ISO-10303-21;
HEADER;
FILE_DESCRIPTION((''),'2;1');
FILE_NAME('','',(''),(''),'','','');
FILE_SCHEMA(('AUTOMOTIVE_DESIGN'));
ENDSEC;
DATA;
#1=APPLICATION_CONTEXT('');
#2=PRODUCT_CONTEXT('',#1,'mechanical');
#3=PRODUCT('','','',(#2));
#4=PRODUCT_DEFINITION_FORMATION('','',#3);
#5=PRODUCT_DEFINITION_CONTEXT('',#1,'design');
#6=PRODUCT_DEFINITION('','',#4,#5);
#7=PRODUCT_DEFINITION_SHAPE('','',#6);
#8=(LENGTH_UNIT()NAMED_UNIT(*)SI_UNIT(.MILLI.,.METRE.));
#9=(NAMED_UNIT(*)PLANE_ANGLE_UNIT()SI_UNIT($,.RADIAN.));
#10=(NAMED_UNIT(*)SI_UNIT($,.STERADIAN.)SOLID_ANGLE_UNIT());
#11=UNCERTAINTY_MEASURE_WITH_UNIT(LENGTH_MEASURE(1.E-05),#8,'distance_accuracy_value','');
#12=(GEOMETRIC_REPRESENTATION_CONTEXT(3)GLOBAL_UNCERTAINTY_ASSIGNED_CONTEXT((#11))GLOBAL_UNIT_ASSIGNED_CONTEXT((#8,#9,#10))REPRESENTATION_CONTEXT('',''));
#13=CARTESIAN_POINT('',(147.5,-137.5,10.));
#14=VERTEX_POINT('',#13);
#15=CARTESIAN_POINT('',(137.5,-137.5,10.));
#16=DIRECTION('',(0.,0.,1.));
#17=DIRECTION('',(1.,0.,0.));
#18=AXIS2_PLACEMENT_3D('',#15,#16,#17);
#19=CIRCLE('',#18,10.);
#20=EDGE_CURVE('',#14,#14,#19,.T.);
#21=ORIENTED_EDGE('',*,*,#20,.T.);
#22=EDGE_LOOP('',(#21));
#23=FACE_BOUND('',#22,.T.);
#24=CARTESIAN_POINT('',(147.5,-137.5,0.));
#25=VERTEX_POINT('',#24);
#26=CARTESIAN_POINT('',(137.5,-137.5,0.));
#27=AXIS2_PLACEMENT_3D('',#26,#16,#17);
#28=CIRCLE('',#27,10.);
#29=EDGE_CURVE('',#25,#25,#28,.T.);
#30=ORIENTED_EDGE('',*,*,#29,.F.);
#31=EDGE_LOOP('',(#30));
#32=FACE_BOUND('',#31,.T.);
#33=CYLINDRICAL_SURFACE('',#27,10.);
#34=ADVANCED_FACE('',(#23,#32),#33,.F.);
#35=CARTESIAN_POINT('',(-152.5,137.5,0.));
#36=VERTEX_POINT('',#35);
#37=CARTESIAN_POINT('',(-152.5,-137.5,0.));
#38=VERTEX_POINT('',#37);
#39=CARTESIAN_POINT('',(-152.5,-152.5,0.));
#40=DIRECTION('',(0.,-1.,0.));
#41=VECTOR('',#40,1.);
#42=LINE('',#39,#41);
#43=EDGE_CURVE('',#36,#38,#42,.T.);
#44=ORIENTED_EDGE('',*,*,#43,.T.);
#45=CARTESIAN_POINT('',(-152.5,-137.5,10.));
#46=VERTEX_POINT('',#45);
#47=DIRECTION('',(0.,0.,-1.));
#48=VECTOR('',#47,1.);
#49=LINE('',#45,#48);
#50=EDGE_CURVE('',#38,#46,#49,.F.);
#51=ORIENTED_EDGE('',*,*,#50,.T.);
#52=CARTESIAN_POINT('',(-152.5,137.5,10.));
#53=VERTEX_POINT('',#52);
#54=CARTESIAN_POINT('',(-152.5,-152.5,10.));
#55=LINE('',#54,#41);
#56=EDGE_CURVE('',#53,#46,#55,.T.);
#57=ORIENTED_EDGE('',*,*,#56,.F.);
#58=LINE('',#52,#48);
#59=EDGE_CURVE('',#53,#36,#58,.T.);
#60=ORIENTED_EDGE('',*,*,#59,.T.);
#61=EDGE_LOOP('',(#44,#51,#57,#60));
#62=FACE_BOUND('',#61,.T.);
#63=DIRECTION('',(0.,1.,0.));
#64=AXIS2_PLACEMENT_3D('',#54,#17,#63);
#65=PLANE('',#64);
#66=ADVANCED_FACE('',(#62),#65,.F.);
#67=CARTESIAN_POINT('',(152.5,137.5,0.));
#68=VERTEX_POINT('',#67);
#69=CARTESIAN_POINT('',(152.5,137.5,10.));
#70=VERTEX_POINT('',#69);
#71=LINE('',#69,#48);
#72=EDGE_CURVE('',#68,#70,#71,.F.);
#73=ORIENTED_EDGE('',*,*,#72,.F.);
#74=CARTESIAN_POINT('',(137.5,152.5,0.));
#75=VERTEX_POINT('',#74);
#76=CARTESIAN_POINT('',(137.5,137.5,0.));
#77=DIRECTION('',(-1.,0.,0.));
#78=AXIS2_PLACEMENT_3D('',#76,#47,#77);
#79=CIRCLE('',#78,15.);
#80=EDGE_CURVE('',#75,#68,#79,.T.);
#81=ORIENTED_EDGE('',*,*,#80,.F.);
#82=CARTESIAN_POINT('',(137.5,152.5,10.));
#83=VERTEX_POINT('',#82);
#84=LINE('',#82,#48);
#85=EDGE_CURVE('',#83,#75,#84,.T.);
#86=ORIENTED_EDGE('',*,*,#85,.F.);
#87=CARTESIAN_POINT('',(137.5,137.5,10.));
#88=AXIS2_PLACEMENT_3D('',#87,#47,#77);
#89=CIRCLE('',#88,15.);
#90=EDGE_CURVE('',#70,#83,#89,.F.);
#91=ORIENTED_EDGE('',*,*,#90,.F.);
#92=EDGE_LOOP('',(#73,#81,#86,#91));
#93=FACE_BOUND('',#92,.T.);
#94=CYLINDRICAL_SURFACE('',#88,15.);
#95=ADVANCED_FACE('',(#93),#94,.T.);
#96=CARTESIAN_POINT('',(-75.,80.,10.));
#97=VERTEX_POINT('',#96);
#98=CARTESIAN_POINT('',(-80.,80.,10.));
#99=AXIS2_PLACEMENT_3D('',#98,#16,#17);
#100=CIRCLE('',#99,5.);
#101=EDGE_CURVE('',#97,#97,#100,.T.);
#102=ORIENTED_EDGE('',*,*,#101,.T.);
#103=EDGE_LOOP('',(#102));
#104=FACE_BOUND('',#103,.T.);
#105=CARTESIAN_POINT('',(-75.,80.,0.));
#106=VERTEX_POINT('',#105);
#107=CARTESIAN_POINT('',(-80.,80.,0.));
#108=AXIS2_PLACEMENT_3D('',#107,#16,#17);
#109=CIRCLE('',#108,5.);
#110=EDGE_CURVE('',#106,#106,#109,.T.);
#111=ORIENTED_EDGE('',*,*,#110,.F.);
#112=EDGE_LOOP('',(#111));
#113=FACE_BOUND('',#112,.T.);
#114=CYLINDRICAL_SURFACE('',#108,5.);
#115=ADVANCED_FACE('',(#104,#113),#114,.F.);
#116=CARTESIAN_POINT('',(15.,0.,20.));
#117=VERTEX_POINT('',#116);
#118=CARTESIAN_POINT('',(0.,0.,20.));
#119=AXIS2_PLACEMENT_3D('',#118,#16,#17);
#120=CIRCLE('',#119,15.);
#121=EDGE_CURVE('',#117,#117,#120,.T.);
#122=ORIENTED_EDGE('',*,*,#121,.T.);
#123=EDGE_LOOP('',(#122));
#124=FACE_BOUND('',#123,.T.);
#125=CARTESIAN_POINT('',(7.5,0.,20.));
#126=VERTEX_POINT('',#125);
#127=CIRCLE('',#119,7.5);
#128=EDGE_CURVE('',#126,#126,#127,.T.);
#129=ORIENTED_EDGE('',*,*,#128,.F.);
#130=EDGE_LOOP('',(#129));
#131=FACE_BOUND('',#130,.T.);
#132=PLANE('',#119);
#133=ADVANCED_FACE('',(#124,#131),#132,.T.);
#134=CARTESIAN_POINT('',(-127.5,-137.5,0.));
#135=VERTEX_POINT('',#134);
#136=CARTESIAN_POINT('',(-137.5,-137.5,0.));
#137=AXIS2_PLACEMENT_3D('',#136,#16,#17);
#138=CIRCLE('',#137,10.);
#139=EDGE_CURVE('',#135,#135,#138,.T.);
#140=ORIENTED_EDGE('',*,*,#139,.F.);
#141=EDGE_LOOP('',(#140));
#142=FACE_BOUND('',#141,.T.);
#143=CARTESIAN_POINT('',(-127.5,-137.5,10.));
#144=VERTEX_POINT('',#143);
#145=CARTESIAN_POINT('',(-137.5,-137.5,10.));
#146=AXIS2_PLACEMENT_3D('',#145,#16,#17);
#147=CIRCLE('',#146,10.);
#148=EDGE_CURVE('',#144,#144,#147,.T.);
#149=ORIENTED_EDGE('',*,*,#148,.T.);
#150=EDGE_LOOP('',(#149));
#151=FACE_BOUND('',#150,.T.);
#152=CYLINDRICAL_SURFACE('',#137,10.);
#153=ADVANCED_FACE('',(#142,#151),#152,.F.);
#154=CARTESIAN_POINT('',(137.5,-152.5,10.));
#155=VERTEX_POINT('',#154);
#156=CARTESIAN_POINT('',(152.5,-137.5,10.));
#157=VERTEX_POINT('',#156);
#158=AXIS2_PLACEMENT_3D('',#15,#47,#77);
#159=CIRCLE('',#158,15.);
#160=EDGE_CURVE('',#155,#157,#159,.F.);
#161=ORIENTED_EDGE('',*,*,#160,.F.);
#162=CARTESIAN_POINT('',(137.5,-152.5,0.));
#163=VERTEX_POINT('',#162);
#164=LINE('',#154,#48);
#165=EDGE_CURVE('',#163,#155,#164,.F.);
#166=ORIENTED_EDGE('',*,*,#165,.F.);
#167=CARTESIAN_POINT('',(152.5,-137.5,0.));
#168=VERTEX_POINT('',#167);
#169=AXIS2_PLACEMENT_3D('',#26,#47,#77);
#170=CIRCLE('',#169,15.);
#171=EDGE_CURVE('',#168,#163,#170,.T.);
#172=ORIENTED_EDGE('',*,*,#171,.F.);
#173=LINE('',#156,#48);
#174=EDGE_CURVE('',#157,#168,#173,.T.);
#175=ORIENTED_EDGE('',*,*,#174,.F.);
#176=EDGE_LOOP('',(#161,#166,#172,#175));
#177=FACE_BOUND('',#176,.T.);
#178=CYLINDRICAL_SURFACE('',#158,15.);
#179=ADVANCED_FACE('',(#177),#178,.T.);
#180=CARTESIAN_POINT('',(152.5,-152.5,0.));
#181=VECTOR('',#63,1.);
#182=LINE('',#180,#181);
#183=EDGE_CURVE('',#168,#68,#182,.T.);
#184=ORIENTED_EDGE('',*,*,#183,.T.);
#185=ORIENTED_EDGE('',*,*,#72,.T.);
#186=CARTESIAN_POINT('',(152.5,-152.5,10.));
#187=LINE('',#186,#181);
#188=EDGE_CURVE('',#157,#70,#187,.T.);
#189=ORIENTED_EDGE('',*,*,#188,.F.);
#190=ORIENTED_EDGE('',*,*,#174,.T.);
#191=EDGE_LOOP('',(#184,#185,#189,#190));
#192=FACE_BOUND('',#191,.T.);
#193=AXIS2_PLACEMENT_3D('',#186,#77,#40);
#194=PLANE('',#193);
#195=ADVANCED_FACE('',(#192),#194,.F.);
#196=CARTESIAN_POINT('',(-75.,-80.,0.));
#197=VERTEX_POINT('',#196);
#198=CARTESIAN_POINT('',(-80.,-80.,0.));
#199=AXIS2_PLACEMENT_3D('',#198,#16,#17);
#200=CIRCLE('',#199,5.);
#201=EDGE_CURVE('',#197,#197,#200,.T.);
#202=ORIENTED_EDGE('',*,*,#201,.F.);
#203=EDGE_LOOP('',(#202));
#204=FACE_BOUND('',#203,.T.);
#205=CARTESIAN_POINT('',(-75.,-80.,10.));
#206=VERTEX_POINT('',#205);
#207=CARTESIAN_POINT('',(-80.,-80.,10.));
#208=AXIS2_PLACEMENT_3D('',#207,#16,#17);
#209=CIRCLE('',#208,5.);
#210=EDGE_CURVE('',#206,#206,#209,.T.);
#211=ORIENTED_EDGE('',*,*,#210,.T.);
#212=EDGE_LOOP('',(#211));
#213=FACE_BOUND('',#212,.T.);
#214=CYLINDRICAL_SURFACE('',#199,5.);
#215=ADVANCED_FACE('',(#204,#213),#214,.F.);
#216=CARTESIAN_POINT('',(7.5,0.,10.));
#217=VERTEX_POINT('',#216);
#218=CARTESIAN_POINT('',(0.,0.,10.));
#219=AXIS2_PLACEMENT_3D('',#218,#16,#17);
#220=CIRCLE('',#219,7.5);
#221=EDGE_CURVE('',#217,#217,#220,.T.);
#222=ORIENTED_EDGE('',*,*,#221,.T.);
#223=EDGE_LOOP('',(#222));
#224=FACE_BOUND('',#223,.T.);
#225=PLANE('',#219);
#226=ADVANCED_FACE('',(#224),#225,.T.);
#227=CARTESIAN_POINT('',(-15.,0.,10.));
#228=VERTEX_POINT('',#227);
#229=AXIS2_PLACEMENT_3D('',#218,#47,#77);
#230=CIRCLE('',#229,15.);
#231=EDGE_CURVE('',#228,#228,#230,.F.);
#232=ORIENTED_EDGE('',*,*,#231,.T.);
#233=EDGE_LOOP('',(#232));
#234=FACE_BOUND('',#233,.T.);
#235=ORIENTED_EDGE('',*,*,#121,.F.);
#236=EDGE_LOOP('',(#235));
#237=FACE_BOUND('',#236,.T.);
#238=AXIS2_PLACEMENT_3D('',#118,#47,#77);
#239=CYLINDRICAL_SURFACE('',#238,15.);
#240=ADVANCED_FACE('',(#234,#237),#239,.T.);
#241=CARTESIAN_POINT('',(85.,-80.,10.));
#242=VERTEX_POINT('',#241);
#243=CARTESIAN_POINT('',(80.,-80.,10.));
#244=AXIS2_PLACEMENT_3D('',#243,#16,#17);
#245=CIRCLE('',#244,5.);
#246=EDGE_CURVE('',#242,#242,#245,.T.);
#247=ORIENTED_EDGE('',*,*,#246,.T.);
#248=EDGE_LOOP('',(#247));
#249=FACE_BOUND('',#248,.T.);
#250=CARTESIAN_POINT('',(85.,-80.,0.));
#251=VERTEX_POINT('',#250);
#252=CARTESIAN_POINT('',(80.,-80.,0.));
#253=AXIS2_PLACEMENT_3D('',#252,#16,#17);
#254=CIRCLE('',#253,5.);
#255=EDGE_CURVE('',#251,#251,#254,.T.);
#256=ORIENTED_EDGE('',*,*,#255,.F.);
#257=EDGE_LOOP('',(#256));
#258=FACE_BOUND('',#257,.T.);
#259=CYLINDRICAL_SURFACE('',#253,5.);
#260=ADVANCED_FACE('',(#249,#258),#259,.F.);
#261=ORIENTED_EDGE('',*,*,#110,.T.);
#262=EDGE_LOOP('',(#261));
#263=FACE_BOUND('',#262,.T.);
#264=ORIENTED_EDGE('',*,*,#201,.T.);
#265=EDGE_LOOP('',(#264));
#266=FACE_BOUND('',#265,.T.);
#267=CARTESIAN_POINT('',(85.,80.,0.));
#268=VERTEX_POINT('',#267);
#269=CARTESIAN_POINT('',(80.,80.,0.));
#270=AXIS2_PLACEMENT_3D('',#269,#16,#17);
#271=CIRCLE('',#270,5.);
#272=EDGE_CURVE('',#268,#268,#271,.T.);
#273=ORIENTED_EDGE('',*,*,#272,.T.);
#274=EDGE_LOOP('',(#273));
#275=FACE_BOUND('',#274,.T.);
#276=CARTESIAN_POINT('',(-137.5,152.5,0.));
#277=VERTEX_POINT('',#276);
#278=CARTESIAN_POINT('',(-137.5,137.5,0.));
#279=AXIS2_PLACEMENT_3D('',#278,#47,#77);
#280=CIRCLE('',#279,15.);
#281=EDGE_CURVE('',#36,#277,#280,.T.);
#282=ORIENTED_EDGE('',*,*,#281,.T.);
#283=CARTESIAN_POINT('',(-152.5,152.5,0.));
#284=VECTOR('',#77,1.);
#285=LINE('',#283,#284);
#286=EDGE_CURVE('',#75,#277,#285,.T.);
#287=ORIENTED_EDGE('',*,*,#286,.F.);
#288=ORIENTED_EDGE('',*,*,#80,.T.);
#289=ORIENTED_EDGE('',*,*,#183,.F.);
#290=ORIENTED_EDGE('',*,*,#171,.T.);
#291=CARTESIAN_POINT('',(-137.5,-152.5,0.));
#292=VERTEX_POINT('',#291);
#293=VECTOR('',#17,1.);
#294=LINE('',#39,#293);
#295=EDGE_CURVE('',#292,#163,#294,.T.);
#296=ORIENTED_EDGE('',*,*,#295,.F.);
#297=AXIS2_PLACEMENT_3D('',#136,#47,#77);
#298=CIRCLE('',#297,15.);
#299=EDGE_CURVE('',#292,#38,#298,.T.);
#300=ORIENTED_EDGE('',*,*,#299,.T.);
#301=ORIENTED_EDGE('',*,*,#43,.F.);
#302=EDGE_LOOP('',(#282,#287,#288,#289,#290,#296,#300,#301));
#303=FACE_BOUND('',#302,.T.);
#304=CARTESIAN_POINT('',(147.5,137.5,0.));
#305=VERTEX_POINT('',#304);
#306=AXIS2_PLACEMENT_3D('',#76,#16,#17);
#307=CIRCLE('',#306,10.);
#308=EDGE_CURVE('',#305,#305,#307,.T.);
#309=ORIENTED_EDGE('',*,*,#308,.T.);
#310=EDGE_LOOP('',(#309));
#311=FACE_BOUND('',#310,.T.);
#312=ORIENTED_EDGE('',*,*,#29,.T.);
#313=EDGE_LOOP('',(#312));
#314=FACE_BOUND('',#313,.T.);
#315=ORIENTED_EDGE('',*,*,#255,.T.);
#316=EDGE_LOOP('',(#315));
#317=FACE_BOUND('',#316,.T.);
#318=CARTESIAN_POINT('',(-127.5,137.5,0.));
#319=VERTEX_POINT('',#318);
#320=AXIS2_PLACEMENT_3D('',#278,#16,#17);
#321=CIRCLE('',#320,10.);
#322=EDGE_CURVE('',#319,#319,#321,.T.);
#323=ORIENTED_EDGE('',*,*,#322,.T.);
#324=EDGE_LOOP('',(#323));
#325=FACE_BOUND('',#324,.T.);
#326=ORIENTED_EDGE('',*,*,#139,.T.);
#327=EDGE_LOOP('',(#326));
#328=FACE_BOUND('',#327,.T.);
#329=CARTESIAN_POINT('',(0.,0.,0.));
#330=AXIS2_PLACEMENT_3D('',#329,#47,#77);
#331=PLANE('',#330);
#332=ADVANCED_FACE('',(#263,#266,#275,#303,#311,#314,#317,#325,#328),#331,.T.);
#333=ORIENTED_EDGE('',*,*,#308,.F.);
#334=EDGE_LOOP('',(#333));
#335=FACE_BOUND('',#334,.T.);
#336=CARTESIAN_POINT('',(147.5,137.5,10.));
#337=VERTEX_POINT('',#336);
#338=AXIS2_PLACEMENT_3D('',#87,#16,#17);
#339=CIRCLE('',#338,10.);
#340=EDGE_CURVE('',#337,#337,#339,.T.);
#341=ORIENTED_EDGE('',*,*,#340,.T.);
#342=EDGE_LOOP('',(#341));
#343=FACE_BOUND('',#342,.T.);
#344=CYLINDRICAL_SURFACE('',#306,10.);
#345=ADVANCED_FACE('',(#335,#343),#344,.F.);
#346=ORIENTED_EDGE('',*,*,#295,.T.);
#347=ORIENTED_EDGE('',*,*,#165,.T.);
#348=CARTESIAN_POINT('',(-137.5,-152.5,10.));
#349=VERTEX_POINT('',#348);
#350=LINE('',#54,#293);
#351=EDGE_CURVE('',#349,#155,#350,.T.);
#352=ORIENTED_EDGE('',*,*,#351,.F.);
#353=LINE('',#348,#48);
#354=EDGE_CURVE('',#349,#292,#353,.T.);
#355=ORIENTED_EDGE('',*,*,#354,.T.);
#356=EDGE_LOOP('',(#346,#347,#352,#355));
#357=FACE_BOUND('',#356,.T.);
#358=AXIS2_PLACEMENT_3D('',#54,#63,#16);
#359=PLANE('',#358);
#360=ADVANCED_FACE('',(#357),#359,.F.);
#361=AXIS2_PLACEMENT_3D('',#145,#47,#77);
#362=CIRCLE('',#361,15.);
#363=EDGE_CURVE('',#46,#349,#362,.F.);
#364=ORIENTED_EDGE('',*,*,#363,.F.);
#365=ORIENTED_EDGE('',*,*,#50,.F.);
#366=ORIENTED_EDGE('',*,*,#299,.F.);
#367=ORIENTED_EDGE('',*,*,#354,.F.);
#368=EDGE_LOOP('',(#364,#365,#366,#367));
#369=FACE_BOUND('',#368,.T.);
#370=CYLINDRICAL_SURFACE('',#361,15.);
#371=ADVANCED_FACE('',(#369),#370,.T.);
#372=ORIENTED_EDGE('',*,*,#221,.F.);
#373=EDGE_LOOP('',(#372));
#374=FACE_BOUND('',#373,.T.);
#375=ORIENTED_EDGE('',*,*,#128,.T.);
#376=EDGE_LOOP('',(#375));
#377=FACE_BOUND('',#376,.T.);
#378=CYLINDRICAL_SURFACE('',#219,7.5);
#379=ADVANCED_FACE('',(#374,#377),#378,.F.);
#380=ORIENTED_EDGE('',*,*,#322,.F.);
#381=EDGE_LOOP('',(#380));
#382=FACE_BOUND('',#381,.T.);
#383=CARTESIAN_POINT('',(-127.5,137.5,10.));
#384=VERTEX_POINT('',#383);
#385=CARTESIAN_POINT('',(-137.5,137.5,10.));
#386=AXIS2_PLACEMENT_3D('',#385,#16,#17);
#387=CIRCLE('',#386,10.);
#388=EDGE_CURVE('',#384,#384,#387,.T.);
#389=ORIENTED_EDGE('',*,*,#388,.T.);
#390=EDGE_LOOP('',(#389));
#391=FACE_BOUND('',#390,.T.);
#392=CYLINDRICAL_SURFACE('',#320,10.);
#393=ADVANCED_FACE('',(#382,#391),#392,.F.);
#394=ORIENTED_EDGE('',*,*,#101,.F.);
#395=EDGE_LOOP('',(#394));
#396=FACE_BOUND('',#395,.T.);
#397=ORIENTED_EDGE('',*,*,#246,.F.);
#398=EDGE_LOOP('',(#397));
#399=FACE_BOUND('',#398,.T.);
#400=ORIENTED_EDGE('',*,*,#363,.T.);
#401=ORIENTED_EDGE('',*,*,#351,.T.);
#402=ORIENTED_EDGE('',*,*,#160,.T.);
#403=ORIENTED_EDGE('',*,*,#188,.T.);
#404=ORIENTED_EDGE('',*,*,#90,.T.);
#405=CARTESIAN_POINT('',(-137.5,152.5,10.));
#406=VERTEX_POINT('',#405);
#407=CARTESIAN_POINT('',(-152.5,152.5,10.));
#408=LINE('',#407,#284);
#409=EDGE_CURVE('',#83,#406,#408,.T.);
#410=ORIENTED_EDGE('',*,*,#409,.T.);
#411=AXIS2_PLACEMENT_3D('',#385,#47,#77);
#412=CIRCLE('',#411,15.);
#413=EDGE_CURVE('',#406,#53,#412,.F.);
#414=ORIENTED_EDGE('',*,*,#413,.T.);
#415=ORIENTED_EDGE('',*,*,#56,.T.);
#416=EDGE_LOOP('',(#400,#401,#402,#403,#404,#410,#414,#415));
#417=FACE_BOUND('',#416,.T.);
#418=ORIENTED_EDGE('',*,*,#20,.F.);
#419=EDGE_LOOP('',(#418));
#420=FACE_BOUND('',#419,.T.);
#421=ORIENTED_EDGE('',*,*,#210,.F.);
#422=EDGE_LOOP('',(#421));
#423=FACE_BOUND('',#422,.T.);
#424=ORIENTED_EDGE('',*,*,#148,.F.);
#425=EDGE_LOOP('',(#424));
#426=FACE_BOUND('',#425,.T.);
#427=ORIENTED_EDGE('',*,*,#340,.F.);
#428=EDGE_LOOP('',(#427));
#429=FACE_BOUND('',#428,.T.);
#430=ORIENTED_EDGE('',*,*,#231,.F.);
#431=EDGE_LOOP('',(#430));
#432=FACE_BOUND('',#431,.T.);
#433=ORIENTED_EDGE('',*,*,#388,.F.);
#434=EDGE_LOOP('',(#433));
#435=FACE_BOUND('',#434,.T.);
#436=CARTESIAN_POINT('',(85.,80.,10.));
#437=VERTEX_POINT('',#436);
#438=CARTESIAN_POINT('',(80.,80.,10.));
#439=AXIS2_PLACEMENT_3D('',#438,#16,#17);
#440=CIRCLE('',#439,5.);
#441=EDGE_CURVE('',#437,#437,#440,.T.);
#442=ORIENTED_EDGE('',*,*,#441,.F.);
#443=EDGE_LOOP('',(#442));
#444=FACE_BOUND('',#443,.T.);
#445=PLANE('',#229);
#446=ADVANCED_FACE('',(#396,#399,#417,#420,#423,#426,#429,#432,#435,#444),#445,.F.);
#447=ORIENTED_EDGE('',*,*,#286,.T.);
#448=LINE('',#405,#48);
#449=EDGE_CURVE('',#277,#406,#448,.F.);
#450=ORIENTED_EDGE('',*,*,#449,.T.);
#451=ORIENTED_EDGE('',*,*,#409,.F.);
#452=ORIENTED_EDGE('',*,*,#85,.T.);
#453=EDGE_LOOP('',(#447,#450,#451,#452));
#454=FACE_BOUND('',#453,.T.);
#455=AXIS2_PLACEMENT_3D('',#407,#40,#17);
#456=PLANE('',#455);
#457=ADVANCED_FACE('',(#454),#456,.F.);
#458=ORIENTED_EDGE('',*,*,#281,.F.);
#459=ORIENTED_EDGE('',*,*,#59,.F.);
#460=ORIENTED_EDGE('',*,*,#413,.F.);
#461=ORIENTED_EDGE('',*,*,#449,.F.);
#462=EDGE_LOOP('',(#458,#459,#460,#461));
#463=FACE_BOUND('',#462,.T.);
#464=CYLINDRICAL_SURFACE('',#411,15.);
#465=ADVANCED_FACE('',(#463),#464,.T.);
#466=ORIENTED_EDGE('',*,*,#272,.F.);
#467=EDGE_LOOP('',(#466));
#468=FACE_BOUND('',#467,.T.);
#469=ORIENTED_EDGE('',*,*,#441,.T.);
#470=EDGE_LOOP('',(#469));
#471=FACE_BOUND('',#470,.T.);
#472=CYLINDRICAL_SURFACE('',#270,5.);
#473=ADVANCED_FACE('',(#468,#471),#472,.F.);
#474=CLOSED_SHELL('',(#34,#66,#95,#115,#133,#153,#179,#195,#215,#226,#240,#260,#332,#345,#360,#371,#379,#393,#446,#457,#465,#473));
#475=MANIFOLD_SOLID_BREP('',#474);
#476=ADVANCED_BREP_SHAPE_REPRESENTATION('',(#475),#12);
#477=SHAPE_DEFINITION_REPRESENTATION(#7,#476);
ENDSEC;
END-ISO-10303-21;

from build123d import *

# Parameters (mm, degrees)
ESQUISSE1_W              = 305
ESQUISSE1_H              = 305
BOSS_EXTRU_1_DEPTH       = 10
ESQUISSE2_R              = 10
ENL_V_MAT_EXTRU_10_DEPTH = 10
CONG_2_R                 = 15
ESQUISSE3_R              = 5
ENL_V_MAT_EXTRU_11_DEPTH = 10
ESQUISSE4_R              = 15
BOSS_EXTRU_2_DEPTH       = 10
ESQUISSE5_R              = 7.5
ENL_V_MAT_EXTRU_12_DEPTH = 10


with BuildPart() as part:
    # Esquisse1 → Boss.-Extru.1 (new body)
    with BuildSketch(Plane.XY):
        Rectangle(ESQUISSE1_W, ESQUISSE1_H)
    extrude(amount=BOSS_EXTRU_1_DEPTH)

    # Esquisse2 → Enlèv. mat.-Extru.10 (cut)
    with BuildSketch(Plane.XY.offset(10)):
        with Locations((137.5, 137.5)):
            Circle(ESQUISSE2_R)
        with Locations((137.5, -137.5)):
            Circle(ESQUISSE2_R)
        with Locations((-137.5, -137.5)):
            Circle(ESQUISSE2_R)
        with Locations((-137.5, 137.5)):
            Circle(ESQUISSE2_R)
    extrude(amount=-ENL_V_MAT_EXTRU_10_DEPTH, mode=Mode.SUBTRACT)

    # Congé2
    cong_2_edges = [part.edges().sort_by_distance(p)[0] for p in [
        (-152.5, 152.5, 5),
        (152.5, 152.5, 5),
        (152.5, -152.5, 5),
        (-152.5, -152.5, 5),
    ]]
    fillet(cong_2_edges, radius=CONG_2_R)

    # Esquisse3 → Enlèv. mat.-Extru.11 (cut)
    with BuildSketch(Plane.XY.offset(10)):
        with Locations((80, 80)):
            Circle(ESQUISSE3_R)
        with Locations((80, -80)):
            Circle(ESQUISSE3_R)
        with Locations((-80, -80)):
            Circle(ESQUISSE3_R)
        with Locations((-80, 80)):
            Circle(ESQUISSE3_R)
    extrude(amount=-ENL_V_MAT_EXTRU_11_DEPTH, mode=Mode.SUBTRACT)

    # Esquisse4 → Boss.-Extru.2 (add)
    with BuildSketch(Plane.XY.offset(10)):
        with Locations(Location((0, 0, 0), (0, 0, 180))):
            Circle(ESQUISSE4_R)
    extrude(amount=BOSS_EXTRU_2_DEPTH)

    # Esquisse5 → Enlèv. mat.-Extru.12 (cut)
    with BuildSketch(Plane.XY.offset(20)):
        Circle(ESQUISSE5_R)
    extrude(amount=-ENL_V_MAT_EXTRU_12_DEPTH, mode=Mode.SUBTRACT)


solid = part.part
